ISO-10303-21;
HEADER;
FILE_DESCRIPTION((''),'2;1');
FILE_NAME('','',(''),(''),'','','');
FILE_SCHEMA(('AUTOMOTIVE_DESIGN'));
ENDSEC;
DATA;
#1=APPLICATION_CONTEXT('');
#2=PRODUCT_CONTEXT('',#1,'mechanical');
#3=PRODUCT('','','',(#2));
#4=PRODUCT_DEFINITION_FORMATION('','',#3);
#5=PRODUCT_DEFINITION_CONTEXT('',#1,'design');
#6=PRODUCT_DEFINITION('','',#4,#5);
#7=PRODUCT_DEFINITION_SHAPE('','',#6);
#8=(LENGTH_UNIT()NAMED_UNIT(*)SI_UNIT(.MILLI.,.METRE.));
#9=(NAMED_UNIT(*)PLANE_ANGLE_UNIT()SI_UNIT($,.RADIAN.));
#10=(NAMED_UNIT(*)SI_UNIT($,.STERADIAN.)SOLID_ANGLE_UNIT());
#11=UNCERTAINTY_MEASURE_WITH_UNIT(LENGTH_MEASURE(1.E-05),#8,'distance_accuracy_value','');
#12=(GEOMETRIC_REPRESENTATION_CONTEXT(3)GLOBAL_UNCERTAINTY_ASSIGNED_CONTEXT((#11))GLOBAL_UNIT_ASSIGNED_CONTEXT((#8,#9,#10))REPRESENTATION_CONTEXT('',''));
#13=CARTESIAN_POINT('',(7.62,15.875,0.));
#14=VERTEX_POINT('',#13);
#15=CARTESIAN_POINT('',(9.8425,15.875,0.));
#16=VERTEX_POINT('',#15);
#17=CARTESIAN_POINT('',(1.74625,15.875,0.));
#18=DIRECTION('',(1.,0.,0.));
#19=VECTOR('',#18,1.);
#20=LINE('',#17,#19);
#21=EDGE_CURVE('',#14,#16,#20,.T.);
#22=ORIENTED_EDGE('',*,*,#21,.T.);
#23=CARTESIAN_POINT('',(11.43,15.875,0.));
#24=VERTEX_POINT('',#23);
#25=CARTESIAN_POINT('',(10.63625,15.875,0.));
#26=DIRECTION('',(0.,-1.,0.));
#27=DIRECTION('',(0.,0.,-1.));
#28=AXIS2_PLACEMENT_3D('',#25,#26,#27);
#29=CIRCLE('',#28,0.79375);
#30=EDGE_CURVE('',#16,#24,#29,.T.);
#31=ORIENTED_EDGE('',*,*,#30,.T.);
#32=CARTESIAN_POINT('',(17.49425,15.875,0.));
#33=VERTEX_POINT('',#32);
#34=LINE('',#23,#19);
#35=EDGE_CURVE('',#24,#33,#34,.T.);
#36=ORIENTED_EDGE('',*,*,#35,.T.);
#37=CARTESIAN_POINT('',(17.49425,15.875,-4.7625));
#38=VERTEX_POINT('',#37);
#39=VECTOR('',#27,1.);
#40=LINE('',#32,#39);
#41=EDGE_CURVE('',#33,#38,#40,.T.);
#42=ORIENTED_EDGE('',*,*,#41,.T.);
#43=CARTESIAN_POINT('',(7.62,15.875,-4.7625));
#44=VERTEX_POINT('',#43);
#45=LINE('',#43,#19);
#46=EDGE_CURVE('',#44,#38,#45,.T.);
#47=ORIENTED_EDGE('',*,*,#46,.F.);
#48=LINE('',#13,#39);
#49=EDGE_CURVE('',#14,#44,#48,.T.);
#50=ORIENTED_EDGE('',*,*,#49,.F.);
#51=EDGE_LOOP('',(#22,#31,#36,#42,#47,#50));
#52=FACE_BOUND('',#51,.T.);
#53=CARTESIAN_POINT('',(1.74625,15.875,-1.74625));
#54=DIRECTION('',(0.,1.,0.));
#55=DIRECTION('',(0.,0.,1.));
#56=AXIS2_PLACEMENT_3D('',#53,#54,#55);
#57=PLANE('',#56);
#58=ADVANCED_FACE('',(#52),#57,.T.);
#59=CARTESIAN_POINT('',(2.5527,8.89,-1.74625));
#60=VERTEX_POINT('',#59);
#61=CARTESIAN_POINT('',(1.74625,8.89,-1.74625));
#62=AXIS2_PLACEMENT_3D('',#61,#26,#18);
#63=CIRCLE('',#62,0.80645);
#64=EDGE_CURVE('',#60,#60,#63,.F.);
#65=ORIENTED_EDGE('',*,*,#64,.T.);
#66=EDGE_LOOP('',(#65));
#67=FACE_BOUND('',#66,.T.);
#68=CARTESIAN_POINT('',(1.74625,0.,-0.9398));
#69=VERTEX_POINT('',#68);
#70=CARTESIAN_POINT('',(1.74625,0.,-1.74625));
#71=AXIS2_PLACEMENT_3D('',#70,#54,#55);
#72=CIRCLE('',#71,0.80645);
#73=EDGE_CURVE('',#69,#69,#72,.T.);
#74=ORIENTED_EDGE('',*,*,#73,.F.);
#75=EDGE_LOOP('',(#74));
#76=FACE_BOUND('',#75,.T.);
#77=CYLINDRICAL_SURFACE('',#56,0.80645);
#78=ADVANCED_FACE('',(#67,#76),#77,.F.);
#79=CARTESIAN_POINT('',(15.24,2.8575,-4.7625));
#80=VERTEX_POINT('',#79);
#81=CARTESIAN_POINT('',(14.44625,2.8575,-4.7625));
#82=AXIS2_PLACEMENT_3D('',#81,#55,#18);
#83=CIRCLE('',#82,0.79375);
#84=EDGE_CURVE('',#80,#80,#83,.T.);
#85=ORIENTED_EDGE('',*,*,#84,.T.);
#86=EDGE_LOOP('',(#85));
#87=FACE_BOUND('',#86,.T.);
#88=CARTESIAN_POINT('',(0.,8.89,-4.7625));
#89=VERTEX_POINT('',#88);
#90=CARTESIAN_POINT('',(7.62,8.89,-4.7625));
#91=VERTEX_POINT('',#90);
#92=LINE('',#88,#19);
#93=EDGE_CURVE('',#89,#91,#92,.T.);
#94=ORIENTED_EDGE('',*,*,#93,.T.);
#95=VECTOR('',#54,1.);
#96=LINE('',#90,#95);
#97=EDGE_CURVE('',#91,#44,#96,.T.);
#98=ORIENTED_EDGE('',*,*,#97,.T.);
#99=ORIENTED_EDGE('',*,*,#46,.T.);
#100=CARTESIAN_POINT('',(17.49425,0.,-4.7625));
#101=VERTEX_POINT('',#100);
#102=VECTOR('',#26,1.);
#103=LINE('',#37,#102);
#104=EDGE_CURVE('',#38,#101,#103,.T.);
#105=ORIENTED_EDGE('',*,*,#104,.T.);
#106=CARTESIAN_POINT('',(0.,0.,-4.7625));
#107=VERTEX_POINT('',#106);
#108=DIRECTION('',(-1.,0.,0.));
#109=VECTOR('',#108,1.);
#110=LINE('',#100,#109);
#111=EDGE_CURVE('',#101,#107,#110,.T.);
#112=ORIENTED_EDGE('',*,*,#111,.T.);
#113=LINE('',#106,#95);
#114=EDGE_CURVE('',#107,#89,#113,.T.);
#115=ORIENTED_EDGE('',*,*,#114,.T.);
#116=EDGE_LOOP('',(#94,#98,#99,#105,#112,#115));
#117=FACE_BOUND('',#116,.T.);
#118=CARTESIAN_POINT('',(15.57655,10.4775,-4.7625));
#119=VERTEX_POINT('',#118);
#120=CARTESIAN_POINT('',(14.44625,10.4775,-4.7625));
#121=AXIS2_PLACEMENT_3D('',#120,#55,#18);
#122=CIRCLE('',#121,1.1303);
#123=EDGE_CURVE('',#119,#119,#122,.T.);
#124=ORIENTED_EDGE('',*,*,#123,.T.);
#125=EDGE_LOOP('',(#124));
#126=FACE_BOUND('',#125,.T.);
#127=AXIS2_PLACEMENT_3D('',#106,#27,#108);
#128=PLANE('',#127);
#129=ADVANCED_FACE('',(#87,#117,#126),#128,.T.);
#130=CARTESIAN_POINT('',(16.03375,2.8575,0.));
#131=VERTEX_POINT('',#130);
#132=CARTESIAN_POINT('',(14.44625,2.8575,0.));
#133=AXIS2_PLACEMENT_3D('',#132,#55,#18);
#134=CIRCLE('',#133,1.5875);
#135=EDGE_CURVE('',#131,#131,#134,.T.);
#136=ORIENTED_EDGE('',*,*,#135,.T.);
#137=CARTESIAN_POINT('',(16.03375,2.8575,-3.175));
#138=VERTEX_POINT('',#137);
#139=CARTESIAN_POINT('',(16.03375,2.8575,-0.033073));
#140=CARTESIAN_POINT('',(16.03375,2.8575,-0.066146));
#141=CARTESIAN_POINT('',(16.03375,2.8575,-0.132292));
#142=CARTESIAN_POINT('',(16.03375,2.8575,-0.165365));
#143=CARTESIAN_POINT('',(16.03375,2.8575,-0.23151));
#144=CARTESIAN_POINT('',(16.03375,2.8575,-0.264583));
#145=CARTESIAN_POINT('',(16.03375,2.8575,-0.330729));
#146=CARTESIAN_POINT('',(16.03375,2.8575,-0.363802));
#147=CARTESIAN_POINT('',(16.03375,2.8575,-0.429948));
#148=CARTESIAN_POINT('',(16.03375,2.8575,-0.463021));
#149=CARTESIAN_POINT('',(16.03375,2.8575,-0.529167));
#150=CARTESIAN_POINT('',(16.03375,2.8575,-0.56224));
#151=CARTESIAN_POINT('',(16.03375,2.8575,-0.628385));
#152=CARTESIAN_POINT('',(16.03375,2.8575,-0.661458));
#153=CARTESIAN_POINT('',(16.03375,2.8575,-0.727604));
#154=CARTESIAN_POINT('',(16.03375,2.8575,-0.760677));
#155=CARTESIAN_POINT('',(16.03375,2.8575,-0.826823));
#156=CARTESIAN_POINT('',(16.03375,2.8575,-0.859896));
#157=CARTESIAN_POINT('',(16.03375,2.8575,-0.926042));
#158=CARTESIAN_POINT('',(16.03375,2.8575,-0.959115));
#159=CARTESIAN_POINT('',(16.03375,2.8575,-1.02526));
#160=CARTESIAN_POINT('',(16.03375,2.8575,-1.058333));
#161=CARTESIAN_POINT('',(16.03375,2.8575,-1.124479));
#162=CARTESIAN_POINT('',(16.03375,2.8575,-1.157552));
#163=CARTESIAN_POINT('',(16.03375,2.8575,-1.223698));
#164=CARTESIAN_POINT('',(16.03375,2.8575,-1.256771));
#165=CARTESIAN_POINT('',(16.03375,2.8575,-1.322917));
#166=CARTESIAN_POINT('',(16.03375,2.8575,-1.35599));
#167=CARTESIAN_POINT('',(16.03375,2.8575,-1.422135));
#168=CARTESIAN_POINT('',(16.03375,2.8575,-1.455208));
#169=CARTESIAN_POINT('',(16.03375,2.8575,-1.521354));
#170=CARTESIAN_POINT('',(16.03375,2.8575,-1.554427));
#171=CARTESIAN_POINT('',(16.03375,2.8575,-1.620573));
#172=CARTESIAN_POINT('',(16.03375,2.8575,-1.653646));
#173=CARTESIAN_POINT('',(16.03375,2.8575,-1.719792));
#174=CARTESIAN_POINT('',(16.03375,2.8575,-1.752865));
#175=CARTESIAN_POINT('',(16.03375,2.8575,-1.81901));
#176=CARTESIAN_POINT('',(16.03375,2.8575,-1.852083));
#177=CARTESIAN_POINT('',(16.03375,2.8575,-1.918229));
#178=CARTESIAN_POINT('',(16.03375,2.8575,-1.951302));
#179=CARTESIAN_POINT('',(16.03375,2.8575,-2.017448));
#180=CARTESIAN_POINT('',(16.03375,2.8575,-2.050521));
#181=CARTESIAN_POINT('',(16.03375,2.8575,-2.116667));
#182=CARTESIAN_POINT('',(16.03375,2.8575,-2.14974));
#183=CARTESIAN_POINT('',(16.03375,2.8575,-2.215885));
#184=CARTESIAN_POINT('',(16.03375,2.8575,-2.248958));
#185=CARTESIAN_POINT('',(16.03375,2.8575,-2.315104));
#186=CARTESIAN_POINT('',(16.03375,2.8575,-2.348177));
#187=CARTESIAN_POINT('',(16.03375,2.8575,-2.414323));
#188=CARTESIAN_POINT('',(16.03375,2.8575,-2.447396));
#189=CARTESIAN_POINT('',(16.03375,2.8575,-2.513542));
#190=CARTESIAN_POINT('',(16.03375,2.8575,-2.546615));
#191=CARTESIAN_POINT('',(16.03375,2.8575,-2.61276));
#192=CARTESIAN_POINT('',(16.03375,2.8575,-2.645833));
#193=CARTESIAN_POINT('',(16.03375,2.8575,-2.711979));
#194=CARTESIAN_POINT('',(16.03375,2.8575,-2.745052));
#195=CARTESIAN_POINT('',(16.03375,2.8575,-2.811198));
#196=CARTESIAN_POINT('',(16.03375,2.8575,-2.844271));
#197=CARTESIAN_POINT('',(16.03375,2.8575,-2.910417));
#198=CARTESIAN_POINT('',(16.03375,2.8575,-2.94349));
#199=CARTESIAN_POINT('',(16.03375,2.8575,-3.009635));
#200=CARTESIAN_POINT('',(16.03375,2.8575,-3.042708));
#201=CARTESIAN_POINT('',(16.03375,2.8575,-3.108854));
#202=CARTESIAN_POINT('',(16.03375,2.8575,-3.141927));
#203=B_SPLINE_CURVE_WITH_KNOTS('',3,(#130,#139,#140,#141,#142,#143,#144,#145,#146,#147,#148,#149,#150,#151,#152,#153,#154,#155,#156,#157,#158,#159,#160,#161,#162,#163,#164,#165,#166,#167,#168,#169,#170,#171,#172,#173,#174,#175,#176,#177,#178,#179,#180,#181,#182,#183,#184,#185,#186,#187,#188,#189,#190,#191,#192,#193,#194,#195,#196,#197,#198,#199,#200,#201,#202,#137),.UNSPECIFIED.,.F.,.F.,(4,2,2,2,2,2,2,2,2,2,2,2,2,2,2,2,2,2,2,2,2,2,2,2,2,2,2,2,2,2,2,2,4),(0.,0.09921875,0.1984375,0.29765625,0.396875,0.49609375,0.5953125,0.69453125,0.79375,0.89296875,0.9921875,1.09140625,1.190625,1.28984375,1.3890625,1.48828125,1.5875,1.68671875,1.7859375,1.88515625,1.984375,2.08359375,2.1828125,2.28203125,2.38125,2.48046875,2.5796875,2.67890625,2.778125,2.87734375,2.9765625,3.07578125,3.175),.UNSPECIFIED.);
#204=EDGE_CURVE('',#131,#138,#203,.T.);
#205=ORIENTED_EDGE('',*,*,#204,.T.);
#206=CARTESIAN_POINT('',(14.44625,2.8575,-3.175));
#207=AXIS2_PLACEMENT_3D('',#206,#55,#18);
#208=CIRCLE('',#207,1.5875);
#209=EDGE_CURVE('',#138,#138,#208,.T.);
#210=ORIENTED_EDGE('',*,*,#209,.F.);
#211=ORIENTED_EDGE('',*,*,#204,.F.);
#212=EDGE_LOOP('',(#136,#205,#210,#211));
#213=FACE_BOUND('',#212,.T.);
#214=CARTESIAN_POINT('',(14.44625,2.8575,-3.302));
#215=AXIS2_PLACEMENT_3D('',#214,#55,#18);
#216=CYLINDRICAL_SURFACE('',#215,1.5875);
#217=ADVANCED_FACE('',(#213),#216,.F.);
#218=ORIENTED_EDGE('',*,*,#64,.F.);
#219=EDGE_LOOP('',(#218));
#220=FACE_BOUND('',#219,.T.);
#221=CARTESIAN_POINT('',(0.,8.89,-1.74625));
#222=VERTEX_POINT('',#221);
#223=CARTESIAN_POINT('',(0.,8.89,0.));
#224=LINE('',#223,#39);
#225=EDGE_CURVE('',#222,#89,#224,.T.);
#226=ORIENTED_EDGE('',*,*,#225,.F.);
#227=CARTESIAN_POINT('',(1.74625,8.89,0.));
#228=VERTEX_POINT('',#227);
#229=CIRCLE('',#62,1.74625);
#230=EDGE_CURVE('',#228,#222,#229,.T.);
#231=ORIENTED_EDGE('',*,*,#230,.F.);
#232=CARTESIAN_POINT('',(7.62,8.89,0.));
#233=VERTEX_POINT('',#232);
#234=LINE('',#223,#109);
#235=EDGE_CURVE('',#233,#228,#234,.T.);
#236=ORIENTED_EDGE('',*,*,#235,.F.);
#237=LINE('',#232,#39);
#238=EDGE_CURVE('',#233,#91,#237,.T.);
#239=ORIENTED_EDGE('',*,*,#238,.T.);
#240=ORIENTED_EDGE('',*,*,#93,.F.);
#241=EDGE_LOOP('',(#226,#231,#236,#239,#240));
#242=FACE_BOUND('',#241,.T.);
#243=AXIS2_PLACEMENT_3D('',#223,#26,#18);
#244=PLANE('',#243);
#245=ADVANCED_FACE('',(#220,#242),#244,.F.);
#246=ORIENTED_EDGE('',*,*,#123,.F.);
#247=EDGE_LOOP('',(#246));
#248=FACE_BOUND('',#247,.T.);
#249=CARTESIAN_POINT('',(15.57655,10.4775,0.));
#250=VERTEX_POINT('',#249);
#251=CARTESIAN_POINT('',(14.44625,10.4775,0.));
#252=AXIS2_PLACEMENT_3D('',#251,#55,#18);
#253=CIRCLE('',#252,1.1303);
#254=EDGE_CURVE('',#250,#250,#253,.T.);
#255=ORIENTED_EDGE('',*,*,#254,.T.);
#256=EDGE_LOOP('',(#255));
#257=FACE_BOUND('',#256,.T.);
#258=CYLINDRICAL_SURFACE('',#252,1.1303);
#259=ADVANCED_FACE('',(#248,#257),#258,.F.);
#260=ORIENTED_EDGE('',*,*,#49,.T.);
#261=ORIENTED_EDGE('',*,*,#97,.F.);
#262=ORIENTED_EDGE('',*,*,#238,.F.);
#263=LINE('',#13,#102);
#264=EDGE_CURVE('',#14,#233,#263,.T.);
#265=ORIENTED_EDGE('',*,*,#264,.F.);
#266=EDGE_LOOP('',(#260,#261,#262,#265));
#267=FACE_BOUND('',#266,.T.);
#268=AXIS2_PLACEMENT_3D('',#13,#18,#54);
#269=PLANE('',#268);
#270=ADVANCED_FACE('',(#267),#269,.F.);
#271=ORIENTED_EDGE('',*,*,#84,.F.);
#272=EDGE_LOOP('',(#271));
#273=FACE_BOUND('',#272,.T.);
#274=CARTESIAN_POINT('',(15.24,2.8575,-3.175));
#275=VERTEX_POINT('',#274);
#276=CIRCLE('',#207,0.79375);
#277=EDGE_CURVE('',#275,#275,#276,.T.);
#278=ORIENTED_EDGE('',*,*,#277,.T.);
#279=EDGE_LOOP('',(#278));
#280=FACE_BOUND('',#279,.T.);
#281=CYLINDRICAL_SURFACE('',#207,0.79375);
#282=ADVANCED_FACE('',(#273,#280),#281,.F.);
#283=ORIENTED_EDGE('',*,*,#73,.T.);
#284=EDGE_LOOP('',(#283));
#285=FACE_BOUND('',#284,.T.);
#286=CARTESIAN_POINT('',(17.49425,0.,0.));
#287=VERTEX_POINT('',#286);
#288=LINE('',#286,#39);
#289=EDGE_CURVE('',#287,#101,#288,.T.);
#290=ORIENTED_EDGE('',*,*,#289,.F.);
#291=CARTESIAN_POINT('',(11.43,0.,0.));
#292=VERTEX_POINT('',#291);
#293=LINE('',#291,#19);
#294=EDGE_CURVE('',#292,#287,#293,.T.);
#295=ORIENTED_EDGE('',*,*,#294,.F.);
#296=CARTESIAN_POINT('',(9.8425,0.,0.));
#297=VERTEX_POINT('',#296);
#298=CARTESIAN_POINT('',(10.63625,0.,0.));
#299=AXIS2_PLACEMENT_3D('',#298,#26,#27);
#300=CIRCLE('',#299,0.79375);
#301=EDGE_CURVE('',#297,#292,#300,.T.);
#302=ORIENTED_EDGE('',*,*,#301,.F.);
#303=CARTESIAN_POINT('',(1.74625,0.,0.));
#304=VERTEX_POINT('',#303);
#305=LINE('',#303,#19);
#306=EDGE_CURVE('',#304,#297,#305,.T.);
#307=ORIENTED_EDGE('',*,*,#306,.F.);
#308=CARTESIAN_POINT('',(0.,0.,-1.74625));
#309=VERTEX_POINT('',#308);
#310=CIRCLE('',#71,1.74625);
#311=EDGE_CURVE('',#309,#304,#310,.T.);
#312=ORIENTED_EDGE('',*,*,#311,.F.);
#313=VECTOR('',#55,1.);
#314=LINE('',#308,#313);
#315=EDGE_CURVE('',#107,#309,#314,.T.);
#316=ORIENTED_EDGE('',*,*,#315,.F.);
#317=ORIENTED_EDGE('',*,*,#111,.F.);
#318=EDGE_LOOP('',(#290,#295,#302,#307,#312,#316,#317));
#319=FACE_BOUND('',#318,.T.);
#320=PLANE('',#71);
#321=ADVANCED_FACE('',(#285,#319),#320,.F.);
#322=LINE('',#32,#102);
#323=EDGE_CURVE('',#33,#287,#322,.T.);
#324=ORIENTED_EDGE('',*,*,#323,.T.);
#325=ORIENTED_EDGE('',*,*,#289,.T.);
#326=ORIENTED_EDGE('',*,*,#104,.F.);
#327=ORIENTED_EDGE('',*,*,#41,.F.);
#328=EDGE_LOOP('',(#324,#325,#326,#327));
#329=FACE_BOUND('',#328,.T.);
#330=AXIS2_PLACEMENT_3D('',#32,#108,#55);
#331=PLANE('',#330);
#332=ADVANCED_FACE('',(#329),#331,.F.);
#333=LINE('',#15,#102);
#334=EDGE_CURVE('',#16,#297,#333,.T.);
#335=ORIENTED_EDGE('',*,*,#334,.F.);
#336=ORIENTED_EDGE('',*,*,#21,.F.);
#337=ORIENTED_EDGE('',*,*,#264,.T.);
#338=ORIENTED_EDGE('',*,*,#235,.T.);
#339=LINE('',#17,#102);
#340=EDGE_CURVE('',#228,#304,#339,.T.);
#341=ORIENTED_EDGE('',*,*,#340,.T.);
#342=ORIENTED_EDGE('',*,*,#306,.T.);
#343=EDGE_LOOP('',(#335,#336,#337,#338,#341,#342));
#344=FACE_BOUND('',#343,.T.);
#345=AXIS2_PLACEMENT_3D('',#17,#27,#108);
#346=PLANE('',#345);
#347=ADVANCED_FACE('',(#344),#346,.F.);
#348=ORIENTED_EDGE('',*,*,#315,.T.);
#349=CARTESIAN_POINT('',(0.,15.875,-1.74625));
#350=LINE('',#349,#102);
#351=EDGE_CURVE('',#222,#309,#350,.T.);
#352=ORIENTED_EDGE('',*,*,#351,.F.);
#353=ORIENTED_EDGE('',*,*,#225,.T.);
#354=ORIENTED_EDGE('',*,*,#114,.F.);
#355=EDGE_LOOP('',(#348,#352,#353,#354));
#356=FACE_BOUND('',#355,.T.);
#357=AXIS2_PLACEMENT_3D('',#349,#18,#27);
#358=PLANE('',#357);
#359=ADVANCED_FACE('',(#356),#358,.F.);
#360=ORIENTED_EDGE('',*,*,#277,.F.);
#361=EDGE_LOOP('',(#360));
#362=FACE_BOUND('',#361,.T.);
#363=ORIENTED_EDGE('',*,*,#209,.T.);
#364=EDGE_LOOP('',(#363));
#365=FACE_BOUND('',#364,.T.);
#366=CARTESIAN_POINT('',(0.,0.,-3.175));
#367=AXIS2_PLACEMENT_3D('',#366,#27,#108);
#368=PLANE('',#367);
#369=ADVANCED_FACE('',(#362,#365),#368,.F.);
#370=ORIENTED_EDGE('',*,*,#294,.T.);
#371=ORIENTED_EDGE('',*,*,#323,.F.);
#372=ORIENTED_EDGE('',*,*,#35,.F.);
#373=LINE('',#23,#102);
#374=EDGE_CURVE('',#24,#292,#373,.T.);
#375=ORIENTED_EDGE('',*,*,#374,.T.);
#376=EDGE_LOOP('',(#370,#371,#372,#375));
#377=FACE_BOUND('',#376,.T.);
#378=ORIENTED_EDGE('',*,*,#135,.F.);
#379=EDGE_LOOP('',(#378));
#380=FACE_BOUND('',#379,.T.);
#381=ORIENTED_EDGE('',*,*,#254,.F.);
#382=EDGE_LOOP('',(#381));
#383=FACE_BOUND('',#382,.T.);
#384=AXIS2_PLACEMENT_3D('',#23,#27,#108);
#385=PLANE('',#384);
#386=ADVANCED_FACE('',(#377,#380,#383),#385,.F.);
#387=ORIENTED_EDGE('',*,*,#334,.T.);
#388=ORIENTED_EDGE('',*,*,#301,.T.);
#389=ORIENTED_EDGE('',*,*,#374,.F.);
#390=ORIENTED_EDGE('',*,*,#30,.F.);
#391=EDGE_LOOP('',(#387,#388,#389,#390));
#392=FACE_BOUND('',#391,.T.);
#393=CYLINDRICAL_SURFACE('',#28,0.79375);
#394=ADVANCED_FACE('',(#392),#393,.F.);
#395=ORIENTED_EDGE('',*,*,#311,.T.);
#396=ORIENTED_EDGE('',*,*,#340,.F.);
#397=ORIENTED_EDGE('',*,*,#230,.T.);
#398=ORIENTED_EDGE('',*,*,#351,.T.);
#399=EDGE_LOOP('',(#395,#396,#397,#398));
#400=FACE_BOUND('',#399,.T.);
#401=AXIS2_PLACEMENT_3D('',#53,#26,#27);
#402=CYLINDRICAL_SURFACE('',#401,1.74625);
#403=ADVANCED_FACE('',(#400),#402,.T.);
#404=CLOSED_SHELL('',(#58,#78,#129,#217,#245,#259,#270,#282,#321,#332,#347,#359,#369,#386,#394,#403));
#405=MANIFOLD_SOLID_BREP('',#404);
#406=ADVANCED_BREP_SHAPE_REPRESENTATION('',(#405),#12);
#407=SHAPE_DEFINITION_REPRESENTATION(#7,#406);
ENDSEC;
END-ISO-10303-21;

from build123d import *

# Parameters (mm, degrees)
BOSS_EXTRUDE1_DEPTH            = 15.875
F_52_0_0635_DIAMETER_HOLE1_D   = 1.6129
SKETCH3_W                      = 7.62
SKETCH3_H                      = 6.985
CUT_EXTRUDE1_DEPTH             = 24.835793107
SKETCH5_R                      = 1.5875
CUT_EXTRUDE2_DEPTH             = 3.302
BOSS_EXTRUDE2_DEPTH            = 1.5875
F_4_40_TAPPED_HOLE1_D          = 2.2606
F_1_16_0_0625_DIAMETER_HOLE1_D = 1.5875


with BuildPart() as part:
    # Sketch1 → Boss-Extrude1 (new body)
    with BuildSketch(Plane(origin=(0, 0, 0), x_dir=(1, 0, 0), z_dir=(0, 1, 0))):
        with BuildLine():
            Line((0, 1.74625), (0, 3.175))
            Line((0, 3.175), (17.49425, 3.175))
            Line((17.49425, 3.175), (17.49425, 0))
            Line((17.49425, 0), (11.43, 0))
            ThreePointArc((11.43, 0), (10.63625, 0.79375), (9.8425, 0))
            Line((9.8425, 0), (1.74625, 0))
            ThreePointArc((1.74625, 0), (0.511464783, 0.511464783), (0, 1.74625))
        make_face()
    extrude(amount=BOSS_EXTRUDE1_DEPTH)

    # #52 (0.0635) Diameter Hole1 (through all)
    with Locations(Plane(origin=(1.74625, 15.875, -1.74625), x_dir=(0, 0, 1), z_dir=(0, 1, 0))):
        with Locations((0, 0)):
            Hole(F_52_0_0635_DIAMETER_HOLE1_D / 2)

    # Sketch3 → Cut-Extrude1 (cut, through all)
    with BuildSketch(Plane(origin=(0, 0, -3.175), x_dir=(-1, 0, 0), z_dir=(0, 0, -1))):
        with Locations((-3.81, 12.3825)):
            Rectangle(SKETCH3_W, SKETCH3_H)
    extrude(amount=-CUT_EXTRUDE1_DEPTH, mode=Mode.SUBTRACT)

    # Sketch5 → Cut-Extrude2 (cut)
    with BuildSketch(Plane.XY):
        with Locations((14.44625, 2.8575)):
            Circle(SKETCH5_R)
    extrude(amount=-CUT_EXTRUDE2_DEPTH, mode=Mode.SUBTRACT)

    # Sketch7 → Boss-Extrude2 (add)
    with BuildSketch(Plane(origin=(0, 0, -3.175), x_dir=(-1, 0, 0), z_dir=(0, 0, -1))):
        Polygon((-17.49425, 0), (0, 0), (0, 8.89), (-7.62, 8.89), (-7.62, 15.875), (-17.49425, 15.875), align=None)
    extrude(amount=BOSS_EXTRUDE2_DEPTH)

    # #4-40 Tapped Hole1 (through all)
    with Locations(Plane(origin=(14.44625, 10.4775, 0), x_dir=(1, 0, 0), z_dir=(0, 0, 1))):
        with Locations((0, 0)):
            Hole(F_4_40_TAPPED_HOLE1_D / 2)

    # 1/16 (0.0625) Diameter Hole1 (through all)
    with Locations(Plane(origin=(14.44625, 2.8575, -3.175), x_dir=(1, 0, 0), z_dir=(0, 0, 1))):
        with Locations((0, 0)):
            Hole(F_1_16_0_0625_DIAMETER_HOLE1_D / 2)


solid = part.part
